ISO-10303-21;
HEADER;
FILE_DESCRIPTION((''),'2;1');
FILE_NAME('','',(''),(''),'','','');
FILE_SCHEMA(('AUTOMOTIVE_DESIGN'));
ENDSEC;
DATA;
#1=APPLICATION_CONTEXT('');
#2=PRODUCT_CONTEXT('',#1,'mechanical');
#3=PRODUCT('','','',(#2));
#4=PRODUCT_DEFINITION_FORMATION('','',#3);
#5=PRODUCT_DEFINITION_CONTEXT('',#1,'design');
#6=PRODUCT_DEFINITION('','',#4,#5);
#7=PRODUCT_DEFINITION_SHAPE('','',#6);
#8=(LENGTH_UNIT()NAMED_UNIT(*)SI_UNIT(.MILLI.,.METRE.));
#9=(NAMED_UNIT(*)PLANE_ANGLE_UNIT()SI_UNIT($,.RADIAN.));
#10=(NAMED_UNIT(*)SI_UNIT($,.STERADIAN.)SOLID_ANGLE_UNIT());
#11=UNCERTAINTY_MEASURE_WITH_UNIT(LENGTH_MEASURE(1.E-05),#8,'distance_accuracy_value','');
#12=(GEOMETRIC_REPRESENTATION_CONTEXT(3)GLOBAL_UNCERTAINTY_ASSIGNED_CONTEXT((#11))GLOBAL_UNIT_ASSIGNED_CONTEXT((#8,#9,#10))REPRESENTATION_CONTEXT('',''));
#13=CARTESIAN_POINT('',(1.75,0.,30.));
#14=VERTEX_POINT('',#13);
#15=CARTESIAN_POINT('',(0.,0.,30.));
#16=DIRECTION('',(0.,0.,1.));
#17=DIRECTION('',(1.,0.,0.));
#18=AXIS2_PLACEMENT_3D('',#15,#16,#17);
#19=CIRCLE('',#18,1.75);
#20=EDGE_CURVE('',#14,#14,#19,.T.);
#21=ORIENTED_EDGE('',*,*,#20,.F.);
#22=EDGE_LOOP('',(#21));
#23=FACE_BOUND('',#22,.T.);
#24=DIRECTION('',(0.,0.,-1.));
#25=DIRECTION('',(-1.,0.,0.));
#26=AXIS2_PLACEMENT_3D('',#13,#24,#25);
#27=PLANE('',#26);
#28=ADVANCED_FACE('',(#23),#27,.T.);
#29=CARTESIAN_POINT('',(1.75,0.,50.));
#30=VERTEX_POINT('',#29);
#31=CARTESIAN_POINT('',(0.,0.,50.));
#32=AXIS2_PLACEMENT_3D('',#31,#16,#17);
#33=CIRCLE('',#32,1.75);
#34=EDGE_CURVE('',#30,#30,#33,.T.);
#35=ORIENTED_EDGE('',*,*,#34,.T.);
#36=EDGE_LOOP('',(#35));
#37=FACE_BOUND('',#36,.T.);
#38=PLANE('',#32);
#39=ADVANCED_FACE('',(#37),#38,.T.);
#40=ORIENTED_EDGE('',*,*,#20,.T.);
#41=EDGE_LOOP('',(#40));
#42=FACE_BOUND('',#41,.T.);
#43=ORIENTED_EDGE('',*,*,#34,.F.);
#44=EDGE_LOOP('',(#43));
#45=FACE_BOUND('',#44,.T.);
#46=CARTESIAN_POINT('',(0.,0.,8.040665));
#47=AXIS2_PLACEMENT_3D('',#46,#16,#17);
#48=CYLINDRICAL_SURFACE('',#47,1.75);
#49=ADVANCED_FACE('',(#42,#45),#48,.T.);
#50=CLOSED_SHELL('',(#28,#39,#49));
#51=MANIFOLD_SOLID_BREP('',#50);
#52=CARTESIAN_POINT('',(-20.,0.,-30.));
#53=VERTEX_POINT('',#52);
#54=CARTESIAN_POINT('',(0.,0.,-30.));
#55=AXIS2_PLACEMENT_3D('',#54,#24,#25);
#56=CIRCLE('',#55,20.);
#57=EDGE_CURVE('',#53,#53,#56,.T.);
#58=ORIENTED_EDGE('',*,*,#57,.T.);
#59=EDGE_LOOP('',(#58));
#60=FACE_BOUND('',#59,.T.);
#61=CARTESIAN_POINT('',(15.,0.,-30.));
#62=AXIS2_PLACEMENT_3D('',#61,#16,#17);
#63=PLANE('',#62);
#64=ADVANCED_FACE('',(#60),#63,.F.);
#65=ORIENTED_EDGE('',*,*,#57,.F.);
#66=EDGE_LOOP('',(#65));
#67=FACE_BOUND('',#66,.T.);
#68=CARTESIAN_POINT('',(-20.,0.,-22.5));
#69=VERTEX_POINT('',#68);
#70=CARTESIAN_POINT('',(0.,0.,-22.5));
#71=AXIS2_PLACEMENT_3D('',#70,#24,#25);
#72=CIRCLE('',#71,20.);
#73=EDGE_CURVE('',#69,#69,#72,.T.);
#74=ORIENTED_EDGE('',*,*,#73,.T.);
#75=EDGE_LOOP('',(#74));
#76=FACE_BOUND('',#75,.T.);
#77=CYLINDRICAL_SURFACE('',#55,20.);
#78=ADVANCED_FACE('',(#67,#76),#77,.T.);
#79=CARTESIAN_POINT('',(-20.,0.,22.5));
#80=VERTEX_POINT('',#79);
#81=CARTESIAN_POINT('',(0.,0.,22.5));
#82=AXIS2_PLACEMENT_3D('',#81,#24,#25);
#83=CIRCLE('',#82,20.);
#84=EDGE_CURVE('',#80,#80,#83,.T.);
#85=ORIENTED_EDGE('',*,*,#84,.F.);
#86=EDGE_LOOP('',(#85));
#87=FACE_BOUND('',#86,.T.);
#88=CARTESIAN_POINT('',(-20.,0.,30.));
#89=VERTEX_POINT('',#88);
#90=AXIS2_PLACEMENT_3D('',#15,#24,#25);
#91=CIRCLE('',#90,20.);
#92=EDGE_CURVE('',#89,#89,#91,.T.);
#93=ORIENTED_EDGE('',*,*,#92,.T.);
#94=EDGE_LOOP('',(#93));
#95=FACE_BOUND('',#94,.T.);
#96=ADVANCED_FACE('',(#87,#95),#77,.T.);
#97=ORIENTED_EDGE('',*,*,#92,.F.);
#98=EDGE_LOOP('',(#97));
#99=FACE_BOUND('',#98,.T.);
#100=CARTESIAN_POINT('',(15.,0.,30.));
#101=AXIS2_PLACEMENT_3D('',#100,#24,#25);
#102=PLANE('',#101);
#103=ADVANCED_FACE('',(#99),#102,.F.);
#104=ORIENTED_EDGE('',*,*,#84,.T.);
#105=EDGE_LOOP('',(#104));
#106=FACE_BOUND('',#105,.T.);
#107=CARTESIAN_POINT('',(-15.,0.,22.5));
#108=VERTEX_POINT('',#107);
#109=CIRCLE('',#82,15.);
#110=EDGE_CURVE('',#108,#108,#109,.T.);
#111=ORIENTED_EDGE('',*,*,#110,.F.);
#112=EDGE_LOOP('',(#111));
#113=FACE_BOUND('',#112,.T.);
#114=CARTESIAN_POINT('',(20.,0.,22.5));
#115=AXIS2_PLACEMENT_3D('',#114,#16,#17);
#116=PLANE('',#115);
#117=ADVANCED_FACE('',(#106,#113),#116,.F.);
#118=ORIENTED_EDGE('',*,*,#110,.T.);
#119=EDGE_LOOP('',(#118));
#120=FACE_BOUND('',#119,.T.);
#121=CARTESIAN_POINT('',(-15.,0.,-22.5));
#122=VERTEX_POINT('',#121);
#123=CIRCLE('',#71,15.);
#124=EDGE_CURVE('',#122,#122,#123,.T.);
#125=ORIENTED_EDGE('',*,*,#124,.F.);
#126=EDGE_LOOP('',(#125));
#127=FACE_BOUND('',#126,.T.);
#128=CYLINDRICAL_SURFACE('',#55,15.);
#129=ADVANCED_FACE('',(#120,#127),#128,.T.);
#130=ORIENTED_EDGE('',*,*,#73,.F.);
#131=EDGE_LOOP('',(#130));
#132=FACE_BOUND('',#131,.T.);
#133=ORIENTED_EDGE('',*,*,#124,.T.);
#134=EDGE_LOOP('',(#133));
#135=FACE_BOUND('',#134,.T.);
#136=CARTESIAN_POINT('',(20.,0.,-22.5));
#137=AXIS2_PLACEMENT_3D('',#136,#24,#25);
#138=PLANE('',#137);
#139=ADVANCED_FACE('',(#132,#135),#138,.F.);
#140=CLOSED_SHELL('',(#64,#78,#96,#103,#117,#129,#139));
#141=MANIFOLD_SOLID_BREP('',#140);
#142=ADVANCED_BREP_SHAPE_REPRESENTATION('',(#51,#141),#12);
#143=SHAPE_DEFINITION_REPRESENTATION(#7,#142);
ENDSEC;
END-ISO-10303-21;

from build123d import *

# Parameters (mm, degrees)
SKETCH2_W = 1.75
SKETCH2_H = 20


with BuildPart() as part:
    # Sketch1 → Revolve1 (revolve)
    with BuildSketch(Plane(origin=(0, 0, 0), x_dir=(1, 0, 0), z_dir=(0, 1, 0)), mode=Mode.PRIVATE) as revolve1_sk:
        Polygon((15, 30), (20, 30), (20, 22.5), (15, 22.5), (15, -22.5), (20, -22.5), (20, -30), (15, -30), (0, -30), (0, 30), align=None)
    revolve(revolve1_sk.sketch.rotate(Axis((0, 0, -30), (0, 0, 1)), 180), axis=Axis((0, 0, -30), (0, 0, 1)))


with BuildPart() as body_2:
    # Sketch2 → Revolve2 (revolve)
    with BuildSketch(Plane(origin=(0, 0, 0), x_dir=(1, 0, 0), z_dir=(0, 1, 0))):
        with Locations((0.875, -40)):
            Rectangle(SKETCH2_W, SKETCH2_H)
    revolve(axis=Axis((0, 0, 8.040665434), (0, 0, -1)))


solid = Compound([part.part, body_2.part])
